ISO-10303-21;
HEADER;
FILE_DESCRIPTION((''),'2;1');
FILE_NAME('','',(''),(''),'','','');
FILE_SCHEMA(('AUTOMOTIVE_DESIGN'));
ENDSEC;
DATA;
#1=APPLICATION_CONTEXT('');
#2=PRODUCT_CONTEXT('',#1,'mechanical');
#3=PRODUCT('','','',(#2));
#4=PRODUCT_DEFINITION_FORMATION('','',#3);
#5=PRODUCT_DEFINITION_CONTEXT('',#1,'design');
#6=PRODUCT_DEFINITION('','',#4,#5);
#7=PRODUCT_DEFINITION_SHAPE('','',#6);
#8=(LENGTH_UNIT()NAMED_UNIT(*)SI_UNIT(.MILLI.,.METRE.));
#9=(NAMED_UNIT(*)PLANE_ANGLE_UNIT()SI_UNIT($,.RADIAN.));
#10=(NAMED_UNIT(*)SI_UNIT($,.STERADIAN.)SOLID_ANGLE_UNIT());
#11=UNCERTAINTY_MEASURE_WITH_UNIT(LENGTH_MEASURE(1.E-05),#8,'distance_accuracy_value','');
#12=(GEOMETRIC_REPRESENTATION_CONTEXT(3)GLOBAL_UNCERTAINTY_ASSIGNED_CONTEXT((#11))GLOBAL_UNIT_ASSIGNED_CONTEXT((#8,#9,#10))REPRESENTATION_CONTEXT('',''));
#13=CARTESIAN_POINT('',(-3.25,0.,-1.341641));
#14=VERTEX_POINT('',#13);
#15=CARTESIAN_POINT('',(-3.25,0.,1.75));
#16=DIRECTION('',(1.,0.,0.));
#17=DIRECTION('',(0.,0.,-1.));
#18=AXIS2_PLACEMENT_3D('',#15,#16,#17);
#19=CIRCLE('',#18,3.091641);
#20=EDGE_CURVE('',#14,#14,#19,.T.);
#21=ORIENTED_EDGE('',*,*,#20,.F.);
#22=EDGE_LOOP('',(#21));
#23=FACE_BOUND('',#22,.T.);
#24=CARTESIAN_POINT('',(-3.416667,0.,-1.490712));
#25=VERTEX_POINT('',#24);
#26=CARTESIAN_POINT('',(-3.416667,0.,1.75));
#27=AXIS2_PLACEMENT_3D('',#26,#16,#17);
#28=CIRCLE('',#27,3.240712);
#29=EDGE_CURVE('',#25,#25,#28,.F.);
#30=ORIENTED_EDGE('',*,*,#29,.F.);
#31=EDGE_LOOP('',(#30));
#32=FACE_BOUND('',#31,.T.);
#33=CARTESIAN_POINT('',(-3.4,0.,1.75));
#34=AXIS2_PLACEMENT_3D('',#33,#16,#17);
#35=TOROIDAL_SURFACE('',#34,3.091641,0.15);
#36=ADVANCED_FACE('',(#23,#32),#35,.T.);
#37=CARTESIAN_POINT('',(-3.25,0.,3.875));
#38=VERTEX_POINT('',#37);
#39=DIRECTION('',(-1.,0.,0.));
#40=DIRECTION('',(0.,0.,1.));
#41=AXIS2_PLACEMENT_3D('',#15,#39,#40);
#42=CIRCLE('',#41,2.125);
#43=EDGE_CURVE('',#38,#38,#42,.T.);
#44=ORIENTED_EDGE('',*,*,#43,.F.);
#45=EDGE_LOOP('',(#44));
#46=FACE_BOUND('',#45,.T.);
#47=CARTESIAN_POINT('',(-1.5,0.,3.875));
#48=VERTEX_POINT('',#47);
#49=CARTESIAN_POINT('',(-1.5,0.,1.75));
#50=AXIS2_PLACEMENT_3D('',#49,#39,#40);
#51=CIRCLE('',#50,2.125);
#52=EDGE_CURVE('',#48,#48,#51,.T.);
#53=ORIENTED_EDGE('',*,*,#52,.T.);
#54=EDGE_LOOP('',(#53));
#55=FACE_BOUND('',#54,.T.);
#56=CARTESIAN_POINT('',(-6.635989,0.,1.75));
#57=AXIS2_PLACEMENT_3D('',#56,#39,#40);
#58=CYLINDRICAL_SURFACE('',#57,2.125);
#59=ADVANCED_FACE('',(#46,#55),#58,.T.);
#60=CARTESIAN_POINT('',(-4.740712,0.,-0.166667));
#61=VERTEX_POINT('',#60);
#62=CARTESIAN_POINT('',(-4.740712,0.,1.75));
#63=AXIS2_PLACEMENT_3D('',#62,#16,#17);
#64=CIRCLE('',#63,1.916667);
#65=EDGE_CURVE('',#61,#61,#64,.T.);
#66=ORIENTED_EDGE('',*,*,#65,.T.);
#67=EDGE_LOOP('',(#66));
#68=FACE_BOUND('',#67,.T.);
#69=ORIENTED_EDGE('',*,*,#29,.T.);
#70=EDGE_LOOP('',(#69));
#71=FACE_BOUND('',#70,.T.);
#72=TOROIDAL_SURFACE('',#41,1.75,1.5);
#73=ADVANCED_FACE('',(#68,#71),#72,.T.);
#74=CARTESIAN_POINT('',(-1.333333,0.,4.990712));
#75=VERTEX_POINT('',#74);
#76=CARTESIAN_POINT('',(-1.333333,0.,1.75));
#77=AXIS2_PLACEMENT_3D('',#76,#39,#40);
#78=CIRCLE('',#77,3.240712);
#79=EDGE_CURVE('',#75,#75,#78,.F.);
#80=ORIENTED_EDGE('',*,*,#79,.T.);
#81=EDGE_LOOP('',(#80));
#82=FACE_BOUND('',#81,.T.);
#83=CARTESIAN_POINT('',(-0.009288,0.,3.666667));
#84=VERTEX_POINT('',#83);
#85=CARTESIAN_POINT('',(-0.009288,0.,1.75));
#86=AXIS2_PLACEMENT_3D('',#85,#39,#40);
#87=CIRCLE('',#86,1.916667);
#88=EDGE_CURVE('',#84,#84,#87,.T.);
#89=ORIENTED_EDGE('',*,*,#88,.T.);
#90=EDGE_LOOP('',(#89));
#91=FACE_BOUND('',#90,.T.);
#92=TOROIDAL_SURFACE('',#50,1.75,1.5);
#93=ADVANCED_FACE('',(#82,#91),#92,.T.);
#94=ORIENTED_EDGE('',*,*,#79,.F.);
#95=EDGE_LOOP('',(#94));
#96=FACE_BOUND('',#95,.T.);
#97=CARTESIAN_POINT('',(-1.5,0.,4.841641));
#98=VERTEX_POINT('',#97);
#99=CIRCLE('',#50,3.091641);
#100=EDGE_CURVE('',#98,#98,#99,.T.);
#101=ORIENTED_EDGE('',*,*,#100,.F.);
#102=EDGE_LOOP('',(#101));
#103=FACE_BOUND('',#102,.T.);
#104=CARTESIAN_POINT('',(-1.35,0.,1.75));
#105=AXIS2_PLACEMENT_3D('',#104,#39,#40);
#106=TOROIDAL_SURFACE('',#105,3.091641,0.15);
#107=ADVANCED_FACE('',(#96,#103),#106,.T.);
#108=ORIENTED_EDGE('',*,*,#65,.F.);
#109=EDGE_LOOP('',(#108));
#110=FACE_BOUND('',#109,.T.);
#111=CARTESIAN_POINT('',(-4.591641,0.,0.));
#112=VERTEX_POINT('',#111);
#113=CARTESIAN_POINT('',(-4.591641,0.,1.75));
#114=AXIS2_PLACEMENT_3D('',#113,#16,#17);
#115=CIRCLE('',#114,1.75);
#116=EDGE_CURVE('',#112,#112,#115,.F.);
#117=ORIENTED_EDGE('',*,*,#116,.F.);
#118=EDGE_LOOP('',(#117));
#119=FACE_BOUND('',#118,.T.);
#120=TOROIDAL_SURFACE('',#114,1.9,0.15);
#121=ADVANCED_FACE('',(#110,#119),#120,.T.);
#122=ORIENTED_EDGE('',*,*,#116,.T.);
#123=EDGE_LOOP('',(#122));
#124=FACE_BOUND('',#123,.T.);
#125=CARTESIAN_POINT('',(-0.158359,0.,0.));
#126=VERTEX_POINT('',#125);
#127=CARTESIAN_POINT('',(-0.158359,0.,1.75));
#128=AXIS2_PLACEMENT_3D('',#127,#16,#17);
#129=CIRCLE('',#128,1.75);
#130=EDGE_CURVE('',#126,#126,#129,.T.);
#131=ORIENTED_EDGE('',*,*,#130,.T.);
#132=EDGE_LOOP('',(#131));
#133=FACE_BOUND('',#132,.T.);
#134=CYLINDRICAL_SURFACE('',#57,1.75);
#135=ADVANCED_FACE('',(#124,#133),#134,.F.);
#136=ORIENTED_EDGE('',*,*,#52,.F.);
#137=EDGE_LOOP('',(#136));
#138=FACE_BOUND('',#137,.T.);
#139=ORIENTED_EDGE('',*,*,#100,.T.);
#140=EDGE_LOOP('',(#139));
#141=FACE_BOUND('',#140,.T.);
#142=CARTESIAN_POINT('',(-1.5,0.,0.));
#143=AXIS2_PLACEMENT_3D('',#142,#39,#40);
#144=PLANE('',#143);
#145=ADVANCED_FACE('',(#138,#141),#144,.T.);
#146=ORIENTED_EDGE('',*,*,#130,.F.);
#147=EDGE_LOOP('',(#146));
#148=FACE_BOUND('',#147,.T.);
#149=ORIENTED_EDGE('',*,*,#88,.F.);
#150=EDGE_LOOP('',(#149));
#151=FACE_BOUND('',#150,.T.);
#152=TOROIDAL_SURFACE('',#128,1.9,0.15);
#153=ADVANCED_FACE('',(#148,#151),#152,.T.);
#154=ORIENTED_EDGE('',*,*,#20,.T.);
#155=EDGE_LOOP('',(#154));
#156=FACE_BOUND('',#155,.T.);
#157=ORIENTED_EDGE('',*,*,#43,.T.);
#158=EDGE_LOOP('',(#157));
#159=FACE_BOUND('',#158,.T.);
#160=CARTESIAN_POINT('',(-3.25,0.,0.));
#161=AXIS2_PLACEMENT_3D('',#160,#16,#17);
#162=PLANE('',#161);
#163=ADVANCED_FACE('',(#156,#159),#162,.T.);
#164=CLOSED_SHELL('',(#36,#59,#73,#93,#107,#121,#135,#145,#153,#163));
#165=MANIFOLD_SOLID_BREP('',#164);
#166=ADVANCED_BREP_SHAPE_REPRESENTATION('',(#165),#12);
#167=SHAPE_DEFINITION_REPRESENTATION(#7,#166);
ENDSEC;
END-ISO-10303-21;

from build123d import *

# Parameters (mm, degrees)
FILLET1_R = 0.15


with BuildPart() as part:
    # Sketch2 → Revolve1 (revolve)
    with BuildSketch(Plane(origin=(0, 0, 0), x_dir=(1, 0, 0), z_dir=(0, 1, 0)), mode=Mode.PRIVATE) as revolve1_sk:
        with BuildLine():
            Line((0, 0), (-4.75, 0))
            ThreePointArc((-4.75, 0), (-4.310660172, 1.060660172), (-3.25, 1.5))
            Line((-3.25, 1.5), (-3.25, 0.375))
            Line((-3.25, 0.375), (-1.5, 0.375))
            Line((-1.5, 0.375), (-1.5, 1.5))
            ThreePointArc((-1.5, 1.5), (-0.439339828, 1.060660172), (0, 0))
        make_face()
    revolve(revolve1_sk.sketch.rotate(Axis((-6.635988873, 0, 1.75), (1, 0, 0)), 180), axis=Axis((-6.635988873, 0, 1.75), (1, 0, 0)))

    # Fillet1
    fillet1_edges = [part.edges().sort_by_distance(p)[0] for p in [
        (-4.75, 0, 0),
        (-3.25, 0, -1.5),
        (-1.5, 0, -1.5),
        (0, 0, 0),
    ]]
    fillet(fillet1_edges, radius=FILLET1_R)


solid = part.part
